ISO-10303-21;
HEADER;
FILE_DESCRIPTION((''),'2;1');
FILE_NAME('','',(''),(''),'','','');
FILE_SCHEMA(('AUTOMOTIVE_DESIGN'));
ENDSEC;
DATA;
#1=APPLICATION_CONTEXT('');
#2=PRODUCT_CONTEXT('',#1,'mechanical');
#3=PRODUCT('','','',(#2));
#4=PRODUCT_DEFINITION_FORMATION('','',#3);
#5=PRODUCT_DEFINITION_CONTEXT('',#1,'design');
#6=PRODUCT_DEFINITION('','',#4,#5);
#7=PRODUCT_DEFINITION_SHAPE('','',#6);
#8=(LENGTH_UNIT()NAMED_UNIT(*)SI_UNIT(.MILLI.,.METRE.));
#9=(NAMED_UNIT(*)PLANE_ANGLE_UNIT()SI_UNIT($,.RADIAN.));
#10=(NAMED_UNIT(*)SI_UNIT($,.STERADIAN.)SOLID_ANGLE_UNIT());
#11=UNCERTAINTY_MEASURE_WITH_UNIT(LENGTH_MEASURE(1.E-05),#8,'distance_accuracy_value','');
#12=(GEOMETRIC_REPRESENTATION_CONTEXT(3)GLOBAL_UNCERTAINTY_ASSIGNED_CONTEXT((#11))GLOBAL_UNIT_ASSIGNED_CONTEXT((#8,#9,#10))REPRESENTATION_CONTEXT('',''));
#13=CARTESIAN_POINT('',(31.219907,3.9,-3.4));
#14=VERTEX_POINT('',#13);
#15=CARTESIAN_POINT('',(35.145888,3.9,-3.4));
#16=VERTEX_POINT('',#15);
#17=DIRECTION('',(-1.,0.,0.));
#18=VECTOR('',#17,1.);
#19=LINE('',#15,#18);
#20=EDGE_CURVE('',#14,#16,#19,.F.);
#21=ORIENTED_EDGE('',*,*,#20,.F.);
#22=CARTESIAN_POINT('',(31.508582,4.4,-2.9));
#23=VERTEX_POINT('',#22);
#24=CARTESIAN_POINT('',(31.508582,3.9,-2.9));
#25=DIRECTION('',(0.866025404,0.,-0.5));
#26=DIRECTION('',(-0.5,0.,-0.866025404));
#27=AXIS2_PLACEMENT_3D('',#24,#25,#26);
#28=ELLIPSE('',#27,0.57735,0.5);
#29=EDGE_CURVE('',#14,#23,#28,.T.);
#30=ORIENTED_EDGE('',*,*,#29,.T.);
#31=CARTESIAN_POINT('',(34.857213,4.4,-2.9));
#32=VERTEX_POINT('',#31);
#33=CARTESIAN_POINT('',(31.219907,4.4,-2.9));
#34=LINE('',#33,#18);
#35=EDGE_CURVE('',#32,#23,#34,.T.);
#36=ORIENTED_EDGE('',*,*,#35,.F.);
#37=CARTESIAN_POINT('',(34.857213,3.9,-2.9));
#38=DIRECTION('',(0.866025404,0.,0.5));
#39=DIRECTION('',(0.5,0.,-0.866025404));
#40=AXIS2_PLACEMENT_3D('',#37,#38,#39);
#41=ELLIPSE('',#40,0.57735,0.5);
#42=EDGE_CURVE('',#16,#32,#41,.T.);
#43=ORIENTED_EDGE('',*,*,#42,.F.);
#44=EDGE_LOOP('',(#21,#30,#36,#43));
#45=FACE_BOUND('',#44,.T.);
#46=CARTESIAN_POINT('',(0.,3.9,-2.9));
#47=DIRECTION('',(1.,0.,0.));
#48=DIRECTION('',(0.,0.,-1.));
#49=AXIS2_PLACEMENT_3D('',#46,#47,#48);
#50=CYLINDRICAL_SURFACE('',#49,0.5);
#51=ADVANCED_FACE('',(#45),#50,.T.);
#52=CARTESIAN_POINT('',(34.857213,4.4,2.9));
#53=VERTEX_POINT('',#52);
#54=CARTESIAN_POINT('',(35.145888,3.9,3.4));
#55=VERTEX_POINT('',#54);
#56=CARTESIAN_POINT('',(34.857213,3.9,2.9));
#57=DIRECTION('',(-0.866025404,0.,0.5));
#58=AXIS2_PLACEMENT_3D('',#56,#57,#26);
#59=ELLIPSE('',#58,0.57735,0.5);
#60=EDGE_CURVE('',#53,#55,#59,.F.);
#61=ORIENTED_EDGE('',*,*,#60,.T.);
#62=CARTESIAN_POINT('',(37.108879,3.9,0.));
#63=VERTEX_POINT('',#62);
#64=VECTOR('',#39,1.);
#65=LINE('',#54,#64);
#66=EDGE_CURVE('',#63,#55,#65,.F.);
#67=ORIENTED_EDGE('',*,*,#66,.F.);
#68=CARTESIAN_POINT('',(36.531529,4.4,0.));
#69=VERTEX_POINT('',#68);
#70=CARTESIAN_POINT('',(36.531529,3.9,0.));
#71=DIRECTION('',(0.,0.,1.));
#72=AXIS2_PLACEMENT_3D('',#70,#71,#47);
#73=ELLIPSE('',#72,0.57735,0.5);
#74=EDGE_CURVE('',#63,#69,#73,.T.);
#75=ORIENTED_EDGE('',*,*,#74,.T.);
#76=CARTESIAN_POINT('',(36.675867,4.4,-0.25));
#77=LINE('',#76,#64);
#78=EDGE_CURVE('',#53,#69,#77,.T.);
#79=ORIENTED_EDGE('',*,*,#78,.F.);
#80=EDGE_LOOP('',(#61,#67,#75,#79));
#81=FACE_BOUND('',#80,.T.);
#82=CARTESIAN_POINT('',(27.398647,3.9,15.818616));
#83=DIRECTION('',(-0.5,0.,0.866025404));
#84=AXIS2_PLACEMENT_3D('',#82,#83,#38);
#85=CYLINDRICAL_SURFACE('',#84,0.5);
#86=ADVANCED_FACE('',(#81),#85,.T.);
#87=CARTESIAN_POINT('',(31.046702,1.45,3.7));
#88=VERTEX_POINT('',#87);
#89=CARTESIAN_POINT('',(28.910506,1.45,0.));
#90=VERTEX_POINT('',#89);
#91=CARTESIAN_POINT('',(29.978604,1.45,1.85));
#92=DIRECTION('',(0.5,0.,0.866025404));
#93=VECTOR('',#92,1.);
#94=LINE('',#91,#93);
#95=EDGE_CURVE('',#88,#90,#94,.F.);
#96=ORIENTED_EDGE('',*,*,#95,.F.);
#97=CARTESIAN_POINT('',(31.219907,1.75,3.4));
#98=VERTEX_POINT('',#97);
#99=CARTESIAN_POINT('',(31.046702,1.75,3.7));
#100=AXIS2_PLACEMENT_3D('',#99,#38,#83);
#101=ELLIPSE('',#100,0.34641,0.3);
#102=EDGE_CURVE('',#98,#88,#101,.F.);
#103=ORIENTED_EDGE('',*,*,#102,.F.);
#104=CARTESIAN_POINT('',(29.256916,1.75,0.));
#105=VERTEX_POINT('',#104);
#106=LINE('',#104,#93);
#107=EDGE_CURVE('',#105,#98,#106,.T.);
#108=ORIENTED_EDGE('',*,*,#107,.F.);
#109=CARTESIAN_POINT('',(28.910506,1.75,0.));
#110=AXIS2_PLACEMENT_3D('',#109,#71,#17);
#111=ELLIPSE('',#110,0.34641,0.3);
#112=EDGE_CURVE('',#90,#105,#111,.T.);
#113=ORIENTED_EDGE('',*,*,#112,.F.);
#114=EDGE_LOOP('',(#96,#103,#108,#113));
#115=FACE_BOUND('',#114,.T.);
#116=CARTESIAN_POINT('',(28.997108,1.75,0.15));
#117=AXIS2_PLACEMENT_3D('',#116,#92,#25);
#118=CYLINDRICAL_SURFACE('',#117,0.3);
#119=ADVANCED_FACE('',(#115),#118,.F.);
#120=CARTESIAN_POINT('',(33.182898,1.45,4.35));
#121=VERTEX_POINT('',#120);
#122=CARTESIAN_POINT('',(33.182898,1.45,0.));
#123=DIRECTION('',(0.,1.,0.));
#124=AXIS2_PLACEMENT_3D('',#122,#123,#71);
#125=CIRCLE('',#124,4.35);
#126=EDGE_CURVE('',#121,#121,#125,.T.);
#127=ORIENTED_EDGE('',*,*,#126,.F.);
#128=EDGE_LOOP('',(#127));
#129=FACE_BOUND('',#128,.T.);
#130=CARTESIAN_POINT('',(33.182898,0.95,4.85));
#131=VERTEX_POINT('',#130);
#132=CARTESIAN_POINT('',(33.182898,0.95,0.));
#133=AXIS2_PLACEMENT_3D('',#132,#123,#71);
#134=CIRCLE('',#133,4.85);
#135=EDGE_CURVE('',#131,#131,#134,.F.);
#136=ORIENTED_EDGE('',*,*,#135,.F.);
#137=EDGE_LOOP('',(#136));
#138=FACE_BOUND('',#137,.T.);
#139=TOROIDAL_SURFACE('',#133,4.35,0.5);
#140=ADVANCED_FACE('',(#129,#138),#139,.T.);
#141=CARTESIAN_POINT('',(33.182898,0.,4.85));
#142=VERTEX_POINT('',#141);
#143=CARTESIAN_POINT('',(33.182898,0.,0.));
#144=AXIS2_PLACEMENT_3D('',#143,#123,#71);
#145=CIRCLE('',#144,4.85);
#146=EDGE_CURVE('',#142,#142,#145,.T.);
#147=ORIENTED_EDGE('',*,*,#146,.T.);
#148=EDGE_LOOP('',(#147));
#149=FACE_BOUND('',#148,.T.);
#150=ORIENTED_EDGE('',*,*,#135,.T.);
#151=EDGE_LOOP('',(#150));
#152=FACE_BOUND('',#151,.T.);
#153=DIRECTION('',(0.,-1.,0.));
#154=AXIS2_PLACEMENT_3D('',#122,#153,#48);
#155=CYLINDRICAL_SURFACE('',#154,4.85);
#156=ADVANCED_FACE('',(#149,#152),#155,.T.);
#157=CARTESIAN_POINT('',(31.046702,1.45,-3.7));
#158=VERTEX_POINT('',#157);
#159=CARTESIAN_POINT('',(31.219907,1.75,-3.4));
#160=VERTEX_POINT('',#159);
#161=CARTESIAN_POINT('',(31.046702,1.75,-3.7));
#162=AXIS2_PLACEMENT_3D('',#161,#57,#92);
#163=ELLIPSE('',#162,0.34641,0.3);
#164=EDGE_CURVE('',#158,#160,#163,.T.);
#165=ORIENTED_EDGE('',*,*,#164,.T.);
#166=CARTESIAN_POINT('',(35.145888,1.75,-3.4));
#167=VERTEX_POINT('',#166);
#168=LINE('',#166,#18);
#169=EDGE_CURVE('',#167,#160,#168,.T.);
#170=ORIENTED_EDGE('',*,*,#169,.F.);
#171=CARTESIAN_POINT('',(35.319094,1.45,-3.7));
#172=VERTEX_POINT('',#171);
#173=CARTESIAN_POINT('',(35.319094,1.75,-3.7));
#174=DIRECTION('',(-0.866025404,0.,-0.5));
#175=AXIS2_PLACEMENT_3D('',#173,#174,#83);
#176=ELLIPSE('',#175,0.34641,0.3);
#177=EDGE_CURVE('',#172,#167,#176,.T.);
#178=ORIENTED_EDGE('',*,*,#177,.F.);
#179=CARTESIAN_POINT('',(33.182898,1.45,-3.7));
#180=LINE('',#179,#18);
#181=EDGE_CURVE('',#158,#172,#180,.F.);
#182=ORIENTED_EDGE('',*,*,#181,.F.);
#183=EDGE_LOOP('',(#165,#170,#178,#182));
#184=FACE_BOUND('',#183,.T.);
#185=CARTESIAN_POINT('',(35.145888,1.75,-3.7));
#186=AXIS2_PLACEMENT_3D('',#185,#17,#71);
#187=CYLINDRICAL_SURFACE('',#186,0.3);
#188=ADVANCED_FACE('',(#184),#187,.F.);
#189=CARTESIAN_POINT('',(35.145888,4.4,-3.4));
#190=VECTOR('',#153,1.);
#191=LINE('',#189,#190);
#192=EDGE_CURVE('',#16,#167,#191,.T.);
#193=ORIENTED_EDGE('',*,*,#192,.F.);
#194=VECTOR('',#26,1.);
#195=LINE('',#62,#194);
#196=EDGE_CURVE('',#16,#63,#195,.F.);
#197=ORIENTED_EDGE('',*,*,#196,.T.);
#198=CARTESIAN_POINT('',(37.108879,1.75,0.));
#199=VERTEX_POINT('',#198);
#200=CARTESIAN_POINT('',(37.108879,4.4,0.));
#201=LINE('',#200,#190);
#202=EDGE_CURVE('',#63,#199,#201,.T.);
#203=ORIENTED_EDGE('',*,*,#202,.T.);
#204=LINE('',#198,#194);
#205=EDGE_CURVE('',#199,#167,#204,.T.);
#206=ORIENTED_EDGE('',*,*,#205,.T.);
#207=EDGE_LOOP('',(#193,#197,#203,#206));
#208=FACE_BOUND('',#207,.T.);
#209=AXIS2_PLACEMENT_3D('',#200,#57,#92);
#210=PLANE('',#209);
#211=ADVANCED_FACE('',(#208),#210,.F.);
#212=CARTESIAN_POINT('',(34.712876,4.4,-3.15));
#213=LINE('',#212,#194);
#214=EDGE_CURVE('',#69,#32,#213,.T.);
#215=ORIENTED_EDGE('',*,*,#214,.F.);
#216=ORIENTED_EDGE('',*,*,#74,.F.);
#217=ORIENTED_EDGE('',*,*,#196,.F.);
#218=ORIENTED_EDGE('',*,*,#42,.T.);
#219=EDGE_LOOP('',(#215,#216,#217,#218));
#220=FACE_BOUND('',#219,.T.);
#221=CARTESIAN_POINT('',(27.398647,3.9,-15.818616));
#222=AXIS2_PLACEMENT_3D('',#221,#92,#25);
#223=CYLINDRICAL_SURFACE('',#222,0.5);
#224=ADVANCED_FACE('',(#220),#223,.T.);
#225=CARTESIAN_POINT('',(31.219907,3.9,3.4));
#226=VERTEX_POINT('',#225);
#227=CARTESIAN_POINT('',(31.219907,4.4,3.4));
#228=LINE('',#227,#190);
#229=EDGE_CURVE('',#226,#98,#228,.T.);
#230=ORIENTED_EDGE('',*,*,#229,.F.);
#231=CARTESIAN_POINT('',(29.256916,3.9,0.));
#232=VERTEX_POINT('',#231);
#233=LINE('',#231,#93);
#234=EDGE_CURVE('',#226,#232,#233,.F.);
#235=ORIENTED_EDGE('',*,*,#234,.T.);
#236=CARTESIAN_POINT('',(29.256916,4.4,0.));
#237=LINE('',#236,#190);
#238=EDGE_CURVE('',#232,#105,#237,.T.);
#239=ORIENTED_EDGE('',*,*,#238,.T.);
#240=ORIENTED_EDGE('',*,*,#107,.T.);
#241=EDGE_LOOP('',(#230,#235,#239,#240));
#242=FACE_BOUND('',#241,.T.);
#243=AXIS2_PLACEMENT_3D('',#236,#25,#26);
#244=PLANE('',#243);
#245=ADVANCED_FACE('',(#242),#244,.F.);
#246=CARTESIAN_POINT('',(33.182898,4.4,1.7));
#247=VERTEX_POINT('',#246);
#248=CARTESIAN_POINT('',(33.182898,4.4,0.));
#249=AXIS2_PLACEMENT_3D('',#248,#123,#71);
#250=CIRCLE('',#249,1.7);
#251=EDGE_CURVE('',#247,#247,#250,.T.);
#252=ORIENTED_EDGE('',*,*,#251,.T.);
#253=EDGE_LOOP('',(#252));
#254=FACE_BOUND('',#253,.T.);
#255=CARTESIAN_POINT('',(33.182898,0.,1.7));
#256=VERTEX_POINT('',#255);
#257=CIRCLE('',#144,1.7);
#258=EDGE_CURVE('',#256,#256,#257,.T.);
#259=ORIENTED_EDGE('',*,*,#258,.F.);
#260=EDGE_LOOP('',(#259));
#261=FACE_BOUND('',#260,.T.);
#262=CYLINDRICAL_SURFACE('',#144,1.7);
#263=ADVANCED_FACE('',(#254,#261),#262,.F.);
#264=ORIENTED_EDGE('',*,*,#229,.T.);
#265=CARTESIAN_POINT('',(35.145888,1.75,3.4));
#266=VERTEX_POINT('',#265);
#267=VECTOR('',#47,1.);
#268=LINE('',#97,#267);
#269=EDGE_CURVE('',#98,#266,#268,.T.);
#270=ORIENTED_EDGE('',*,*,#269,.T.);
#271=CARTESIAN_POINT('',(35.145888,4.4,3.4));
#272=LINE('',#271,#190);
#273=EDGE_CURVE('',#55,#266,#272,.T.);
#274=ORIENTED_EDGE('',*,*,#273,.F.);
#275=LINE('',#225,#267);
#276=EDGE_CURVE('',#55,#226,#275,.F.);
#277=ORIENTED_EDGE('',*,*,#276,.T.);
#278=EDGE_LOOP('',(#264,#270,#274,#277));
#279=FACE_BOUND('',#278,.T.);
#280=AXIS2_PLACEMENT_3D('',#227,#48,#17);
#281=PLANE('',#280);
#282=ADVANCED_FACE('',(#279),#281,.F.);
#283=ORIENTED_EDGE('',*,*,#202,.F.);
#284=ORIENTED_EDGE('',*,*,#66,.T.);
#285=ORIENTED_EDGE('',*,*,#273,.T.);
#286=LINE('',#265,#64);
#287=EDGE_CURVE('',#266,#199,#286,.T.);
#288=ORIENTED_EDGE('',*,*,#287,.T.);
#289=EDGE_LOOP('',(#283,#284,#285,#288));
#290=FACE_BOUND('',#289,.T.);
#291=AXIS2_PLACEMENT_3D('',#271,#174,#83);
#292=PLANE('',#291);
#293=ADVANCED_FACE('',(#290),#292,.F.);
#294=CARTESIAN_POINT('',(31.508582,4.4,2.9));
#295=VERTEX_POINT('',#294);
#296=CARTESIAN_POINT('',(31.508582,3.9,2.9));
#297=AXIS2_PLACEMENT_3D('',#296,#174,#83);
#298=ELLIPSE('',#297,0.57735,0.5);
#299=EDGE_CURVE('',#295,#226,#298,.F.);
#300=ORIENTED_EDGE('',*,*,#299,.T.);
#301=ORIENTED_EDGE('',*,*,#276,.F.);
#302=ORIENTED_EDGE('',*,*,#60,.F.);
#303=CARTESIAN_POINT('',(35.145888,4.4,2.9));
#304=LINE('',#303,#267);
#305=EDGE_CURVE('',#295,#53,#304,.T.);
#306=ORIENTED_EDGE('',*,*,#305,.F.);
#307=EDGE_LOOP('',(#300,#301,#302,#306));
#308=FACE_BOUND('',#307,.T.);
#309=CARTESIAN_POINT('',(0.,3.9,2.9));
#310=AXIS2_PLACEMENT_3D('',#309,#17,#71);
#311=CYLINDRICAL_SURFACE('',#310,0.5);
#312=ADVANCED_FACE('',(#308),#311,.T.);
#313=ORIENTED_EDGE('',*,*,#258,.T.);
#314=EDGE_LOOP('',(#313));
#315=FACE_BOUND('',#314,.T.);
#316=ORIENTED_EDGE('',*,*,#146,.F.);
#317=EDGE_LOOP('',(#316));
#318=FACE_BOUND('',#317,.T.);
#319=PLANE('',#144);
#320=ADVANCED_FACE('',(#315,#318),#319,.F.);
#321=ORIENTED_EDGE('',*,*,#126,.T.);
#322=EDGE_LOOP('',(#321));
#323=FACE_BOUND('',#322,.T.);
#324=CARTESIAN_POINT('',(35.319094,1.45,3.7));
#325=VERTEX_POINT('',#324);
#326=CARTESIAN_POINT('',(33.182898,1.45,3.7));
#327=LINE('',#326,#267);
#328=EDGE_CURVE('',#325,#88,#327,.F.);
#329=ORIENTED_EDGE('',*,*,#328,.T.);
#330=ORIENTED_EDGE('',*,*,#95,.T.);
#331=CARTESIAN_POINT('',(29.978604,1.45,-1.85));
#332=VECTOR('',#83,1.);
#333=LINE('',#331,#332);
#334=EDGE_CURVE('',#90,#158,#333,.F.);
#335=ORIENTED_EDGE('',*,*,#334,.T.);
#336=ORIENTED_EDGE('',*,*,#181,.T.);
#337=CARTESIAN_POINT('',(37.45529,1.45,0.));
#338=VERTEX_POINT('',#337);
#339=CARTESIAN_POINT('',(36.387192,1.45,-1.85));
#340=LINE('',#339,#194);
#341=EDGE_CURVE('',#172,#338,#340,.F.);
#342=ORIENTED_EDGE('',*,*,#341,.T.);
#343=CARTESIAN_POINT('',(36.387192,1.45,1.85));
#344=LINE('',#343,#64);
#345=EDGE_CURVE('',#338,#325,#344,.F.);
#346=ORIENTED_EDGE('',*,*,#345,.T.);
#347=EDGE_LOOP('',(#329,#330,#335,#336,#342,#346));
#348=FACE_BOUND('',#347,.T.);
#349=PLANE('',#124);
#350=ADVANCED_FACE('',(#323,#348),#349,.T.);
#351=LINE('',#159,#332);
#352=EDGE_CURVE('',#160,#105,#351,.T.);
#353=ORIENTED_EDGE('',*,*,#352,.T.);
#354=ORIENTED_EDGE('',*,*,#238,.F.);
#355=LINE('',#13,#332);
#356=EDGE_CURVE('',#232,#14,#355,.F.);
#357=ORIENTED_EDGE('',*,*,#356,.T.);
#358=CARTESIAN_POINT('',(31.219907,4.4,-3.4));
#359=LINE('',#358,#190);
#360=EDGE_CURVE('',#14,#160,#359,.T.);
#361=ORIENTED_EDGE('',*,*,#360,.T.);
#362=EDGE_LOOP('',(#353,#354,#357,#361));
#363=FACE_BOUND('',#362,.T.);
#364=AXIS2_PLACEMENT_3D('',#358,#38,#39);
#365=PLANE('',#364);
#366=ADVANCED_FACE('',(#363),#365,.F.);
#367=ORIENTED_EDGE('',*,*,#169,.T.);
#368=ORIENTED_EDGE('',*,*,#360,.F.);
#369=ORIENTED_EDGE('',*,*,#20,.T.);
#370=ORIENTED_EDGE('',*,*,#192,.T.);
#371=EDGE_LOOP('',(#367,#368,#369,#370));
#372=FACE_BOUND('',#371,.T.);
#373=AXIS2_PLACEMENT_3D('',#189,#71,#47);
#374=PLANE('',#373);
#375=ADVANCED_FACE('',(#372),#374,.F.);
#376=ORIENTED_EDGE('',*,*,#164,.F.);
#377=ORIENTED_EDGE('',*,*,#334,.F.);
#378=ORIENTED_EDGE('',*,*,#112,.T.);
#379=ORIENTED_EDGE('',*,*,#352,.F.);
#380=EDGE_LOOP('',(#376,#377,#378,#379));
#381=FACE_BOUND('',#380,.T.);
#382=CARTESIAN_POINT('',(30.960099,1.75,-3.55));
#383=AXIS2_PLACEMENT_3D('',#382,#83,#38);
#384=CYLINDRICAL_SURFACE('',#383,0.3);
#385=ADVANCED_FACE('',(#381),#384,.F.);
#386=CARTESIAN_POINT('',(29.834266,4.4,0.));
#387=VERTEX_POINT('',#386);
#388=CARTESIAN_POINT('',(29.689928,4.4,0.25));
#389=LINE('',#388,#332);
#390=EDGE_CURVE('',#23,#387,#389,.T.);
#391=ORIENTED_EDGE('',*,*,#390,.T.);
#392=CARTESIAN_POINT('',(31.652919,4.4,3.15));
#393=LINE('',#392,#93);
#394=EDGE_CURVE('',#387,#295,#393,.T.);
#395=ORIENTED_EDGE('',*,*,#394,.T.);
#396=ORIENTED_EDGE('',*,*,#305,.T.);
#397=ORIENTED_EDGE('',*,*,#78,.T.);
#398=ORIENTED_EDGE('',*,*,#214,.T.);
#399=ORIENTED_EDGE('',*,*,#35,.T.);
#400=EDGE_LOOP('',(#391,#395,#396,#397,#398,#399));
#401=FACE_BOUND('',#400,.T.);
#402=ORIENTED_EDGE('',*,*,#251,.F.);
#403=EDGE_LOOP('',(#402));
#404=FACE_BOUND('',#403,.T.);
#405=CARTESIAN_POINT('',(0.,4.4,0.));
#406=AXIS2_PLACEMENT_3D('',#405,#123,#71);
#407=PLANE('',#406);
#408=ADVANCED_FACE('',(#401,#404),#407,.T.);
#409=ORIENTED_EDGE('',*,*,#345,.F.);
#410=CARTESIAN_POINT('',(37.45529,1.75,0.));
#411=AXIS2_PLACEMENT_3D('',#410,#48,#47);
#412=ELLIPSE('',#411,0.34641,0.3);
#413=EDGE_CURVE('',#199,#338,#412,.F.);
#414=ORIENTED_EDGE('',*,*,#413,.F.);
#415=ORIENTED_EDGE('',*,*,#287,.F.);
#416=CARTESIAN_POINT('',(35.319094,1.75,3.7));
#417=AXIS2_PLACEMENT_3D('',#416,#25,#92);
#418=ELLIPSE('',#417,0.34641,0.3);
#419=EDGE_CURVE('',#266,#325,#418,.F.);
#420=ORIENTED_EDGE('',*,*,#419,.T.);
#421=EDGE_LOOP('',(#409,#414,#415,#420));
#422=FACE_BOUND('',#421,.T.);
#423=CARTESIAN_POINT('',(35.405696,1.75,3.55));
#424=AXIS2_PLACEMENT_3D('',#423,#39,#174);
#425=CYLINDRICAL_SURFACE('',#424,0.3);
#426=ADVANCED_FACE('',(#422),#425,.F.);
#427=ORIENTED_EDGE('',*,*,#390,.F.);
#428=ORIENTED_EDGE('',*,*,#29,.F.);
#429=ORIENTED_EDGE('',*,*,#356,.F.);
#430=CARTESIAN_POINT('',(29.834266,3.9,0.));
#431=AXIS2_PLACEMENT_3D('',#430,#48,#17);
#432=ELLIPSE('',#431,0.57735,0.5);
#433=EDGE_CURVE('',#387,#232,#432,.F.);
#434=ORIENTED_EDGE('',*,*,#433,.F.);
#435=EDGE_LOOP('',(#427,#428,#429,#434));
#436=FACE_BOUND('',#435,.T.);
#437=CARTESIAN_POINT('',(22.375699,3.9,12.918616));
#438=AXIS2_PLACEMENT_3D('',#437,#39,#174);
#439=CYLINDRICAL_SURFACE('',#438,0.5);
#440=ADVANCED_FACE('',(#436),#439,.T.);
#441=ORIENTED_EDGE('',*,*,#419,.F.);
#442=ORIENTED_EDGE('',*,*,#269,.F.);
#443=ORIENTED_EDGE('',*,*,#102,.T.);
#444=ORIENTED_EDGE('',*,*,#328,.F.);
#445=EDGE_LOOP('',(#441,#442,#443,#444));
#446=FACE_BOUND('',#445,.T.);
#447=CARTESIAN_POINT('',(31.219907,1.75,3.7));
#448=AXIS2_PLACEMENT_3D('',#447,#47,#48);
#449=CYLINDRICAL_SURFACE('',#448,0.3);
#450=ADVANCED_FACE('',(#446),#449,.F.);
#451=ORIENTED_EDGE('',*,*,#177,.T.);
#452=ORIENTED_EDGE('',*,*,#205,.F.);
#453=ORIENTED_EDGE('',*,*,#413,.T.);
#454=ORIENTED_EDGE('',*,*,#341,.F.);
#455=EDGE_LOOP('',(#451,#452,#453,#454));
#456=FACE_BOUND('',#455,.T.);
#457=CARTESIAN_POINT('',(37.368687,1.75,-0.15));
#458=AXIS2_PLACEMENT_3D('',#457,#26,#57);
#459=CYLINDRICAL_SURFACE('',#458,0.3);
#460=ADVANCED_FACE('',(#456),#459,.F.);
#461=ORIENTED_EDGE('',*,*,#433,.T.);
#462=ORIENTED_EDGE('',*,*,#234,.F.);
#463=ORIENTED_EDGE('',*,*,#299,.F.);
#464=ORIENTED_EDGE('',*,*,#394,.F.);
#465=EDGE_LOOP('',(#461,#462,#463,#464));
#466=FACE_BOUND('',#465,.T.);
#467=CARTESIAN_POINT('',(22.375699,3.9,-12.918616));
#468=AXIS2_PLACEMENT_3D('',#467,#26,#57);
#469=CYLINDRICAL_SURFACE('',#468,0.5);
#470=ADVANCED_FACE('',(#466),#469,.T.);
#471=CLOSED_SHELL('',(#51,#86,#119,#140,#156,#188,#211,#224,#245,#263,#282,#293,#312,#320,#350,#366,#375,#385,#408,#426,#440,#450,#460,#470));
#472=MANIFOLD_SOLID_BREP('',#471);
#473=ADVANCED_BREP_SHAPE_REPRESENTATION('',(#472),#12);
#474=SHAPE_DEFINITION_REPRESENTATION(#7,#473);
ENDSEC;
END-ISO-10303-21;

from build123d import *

# Parameters (mm, degrees)
SKETCH_1_R          = 4.85
EXTRUDE_1_DEPTH     = 1.45
EXTRUDE_2_DEPTH     = 2.95
SKETCH_3_R          = 1.7
CUT_EXTRUDE_1_DEPTH = 39.592535488
FILLET_1_R          = 0.5
FILLET_2_R          = 0.5
FILLET_3_R          = 0.3


with BuildPart() as part:
    # 草图1 → 凸台-拉伸1 (new body)
    with BuildSketch(Plane(origin=(0, 0, 0), x_dir=(1, 0, 0), z_dir=(0, 1, 0))):
        with Locations(Location((33.182897542, 0, 0), (0, 0, 270))):
            Circle(SKETCH_1_R)
    extrude(amount=EXTRUDE_1_DEPTH)

    # 草图2 → 凸台-拉伸2 (add)
    with BuildSketch(Plane(origin=(0, 1.45, 0), x_dir=(1, 0, 0), z_dir=(0, 1, 0))):
        Polygon((37.108879372, 0), (35.145888457, 3.4), (31.219906626, 3.4), (29.256915711, 0), (31.219906626, -3.4), (35.145888457, -3.4), align=None)
    extrude(amount=EXTRUDE_2_DEPTH)

    # 草图3 → 切除-拉伸1 (cut, through all)
    with BuildSketch(Plane(origin=(0, 4.4, 0), x_dir=(1, 0, 0), z_dir=(0, 1, 0))):
        with Locations(Location((33.182897542, 0, 0), (0, 0, 270))):
            Circle(SKETCH_3_R)
    extrude(amount=-CUT_EXTRUDE_1_DEPTH, mode=Mode.SUBTRACT)

    # 圆角1
    fillet_1_edges = [part.edges().sort_by_distance(p)[0] for p in [
        (36.127383914, 4.4, 1.7),
        (36.127383914, 4.4, -1.7),
        (33.182897542, 4.4, -3.4),
        (30.238411169, 4.4, -1.7),
        (30.238411169, 4.4, 1.7),
        (33.182897542, 4.4, 3.4),
    ]]
    fillet(fillet_1_edges, radius=FILLET_1_R)

    # 圆角2
    fillet_2_edges = [part.edges().sort_by_distance(p)[0] for p in [
        (33.182897542, 1.45, -4.85),
    ]]
    fillet(fillet_2_edges, radius=FILLET_2_R)

    # 圆角3
    fillet_3_edges = [part.edges().sort_by_distance(p)[0] for p in [
        (36.127383914, 1.45, 1.7),
        (36.127383914, 1.45, -1.7),
        (33.182897542, 1.45, -3.4),
        (30.238411169, 1.45, -1.7),
        (30.238411169, 1.45, 1.7),
        (33.182897542, 1.45, 3.4),
    ]]
    fillet(fillet_3_edges, radius=FILLET_3_R)


solid = part.part
